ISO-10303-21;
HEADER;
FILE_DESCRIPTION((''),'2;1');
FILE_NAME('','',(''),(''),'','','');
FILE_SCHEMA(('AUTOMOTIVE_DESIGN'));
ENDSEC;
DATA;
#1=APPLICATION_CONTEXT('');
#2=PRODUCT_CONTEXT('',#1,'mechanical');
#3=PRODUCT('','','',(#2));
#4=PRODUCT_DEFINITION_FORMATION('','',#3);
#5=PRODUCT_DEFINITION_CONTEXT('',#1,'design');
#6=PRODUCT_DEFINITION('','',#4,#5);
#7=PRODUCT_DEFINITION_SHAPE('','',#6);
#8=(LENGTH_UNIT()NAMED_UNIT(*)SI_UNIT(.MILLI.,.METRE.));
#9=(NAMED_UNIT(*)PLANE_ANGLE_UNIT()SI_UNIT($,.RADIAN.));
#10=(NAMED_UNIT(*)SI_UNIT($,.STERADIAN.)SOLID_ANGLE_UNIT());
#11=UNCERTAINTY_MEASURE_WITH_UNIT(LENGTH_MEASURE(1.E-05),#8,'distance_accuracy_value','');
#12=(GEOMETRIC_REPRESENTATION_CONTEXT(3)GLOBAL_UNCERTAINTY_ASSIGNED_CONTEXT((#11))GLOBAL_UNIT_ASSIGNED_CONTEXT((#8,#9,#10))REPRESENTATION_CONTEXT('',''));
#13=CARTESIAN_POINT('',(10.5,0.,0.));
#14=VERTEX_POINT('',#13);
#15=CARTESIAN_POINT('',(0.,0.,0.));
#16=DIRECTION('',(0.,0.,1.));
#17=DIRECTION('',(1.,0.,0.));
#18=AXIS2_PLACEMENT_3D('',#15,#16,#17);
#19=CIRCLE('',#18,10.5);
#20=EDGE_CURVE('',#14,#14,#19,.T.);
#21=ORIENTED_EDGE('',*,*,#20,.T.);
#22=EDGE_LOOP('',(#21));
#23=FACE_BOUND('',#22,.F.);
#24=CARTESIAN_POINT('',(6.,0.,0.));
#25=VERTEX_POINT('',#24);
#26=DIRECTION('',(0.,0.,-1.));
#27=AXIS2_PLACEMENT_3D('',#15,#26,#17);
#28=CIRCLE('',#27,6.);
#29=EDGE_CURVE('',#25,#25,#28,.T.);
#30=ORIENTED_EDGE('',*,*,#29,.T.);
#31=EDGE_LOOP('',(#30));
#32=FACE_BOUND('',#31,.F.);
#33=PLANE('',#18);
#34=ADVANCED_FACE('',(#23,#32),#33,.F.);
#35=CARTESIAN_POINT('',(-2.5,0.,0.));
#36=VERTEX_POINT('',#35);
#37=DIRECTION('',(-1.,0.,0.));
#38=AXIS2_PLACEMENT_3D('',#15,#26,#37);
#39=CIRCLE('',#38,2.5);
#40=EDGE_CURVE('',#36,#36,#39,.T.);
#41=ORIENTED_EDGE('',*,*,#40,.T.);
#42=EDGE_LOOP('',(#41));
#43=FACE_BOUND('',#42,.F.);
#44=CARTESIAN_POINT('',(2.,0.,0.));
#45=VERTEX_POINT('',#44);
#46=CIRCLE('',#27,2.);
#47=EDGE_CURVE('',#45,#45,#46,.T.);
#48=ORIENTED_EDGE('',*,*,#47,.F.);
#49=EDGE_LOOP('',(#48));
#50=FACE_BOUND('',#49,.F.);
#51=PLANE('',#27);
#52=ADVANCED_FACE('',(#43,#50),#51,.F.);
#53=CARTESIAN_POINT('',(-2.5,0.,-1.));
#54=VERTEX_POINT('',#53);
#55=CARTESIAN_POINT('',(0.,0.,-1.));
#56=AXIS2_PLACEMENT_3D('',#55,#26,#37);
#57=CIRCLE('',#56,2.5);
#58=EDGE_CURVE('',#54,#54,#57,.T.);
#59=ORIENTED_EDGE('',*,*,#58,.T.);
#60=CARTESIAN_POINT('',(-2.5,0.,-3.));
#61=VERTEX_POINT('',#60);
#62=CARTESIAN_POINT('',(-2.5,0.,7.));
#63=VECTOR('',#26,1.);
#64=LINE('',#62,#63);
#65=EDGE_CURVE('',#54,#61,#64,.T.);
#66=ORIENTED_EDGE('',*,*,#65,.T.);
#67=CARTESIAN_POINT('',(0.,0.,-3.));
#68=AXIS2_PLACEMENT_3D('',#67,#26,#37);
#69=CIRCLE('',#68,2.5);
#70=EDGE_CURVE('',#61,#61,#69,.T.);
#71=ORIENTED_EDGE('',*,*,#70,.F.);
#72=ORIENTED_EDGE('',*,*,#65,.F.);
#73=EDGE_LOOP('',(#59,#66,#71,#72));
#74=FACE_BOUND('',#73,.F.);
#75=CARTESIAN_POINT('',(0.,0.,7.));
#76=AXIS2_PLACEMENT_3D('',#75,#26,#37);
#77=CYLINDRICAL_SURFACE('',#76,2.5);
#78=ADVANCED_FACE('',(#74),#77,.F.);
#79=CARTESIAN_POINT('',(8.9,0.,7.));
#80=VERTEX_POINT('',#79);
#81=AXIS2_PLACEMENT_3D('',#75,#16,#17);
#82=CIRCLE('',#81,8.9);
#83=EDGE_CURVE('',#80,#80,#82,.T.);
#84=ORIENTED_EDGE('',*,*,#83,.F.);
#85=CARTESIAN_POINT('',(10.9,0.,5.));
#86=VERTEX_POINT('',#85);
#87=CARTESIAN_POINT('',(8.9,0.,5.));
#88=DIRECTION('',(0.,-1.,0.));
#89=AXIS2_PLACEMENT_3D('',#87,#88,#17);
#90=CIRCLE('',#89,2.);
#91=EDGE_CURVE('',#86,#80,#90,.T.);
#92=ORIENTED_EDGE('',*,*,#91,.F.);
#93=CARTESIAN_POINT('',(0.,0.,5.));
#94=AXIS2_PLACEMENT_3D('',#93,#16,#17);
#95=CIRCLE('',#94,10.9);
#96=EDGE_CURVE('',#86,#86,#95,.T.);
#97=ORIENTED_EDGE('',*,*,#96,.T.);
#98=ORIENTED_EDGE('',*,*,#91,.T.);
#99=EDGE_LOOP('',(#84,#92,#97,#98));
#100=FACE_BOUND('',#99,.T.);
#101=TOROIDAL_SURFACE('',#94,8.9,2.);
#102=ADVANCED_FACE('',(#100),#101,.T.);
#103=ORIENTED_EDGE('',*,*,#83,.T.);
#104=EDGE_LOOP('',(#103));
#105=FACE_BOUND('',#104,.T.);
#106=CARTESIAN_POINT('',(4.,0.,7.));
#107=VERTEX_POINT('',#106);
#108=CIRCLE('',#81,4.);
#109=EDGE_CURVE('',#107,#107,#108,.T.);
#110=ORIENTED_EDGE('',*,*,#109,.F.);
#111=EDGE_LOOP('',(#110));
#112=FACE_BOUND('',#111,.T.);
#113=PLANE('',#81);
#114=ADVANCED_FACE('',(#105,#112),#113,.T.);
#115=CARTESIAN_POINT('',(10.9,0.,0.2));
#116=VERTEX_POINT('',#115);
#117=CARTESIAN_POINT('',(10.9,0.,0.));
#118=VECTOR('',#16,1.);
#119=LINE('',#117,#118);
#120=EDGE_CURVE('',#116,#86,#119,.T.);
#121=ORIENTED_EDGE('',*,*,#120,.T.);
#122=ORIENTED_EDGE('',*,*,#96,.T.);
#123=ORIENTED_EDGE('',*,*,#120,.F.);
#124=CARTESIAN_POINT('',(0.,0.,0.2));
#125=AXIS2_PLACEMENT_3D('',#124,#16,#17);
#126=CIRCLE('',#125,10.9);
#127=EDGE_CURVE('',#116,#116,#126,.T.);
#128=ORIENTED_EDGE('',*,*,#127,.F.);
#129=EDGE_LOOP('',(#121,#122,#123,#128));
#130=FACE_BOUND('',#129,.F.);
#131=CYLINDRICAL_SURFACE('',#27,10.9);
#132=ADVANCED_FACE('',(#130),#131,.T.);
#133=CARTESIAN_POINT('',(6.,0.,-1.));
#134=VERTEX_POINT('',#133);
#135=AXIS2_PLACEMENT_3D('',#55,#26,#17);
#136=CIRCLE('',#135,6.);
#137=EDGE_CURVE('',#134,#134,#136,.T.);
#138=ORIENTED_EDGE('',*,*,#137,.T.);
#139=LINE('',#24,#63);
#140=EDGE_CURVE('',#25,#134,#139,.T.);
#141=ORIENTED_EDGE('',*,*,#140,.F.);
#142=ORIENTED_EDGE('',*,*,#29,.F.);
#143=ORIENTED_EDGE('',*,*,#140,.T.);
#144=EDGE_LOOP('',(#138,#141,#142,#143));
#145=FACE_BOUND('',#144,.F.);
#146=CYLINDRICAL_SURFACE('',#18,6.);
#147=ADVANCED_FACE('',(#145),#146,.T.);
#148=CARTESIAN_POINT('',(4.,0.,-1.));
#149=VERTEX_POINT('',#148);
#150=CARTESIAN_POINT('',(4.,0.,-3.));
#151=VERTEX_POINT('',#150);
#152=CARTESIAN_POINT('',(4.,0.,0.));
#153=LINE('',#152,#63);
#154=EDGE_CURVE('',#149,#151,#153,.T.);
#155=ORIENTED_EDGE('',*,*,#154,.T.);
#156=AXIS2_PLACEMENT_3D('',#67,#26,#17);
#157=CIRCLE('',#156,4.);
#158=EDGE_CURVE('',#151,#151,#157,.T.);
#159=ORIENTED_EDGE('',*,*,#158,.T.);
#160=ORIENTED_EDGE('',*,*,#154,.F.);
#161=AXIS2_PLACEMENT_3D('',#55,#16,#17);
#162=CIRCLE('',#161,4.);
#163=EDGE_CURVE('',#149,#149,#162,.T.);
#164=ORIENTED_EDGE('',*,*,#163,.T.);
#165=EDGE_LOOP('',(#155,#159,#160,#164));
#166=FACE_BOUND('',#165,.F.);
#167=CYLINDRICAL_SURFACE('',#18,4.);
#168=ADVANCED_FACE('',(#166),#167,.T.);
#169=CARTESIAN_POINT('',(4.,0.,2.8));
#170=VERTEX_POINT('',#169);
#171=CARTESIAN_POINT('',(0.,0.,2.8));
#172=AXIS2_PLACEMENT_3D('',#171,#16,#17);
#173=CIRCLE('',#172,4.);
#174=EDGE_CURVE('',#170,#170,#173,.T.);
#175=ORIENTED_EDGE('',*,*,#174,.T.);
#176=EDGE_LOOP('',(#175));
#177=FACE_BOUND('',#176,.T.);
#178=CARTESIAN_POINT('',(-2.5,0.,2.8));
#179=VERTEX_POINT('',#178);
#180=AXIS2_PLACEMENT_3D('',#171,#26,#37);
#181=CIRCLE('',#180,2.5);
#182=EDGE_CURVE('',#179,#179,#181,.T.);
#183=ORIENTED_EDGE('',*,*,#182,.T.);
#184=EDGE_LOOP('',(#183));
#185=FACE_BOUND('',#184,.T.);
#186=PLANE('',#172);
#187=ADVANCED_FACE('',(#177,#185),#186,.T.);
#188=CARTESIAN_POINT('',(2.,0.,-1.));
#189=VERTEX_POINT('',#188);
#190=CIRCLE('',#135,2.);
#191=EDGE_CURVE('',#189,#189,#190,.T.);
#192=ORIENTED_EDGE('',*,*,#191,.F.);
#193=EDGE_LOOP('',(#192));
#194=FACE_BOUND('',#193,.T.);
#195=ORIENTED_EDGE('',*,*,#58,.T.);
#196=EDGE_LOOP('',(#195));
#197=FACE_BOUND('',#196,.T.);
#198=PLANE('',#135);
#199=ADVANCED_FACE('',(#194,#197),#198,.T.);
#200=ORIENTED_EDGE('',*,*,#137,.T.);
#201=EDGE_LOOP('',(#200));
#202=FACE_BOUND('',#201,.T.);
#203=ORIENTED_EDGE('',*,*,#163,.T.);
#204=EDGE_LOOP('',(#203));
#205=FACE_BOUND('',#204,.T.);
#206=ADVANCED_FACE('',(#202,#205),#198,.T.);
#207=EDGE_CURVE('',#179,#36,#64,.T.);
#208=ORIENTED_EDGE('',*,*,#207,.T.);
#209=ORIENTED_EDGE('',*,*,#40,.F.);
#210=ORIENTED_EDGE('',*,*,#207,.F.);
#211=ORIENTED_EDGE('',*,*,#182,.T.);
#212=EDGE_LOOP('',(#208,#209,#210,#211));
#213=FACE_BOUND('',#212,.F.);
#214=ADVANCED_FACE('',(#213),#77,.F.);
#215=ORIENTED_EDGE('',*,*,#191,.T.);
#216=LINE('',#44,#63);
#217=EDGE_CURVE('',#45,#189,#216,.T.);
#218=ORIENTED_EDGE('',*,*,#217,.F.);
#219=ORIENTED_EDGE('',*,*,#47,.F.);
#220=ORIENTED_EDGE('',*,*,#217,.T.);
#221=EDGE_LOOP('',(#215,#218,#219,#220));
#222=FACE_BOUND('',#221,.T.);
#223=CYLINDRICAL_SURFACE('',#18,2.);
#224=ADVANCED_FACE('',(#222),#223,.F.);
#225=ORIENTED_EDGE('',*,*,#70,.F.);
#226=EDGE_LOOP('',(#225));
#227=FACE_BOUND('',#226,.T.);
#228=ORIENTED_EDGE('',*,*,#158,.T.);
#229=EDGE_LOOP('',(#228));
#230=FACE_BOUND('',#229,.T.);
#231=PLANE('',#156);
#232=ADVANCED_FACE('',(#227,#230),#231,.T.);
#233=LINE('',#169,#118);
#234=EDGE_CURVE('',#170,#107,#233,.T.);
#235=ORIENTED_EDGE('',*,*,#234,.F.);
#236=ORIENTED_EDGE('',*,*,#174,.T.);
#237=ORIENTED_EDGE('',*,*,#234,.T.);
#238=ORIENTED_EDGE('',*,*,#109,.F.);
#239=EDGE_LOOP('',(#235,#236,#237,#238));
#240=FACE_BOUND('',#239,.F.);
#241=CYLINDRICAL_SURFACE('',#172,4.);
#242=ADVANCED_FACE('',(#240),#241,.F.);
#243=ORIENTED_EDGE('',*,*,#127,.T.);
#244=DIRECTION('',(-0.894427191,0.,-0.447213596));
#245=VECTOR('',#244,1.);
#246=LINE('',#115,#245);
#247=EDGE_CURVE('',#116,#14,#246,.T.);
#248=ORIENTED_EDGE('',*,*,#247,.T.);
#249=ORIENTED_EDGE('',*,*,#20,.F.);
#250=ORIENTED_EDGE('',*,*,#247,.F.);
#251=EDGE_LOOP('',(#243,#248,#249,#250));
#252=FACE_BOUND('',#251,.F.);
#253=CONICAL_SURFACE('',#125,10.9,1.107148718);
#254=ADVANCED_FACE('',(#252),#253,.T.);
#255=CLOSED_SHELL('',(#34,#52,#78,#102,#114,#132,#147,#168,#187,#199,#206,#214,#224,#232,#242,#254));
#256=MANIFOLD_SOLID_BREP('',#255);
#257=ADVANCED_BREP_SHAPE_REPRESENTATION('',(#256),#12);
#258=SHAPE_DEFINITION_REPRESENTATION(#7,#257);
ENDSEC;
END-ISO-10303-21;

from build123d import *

# Parameters (mm, degrees)
F0_R           = 10.9
F1_DEPTH       = 7
F2_SIZE2       = 0.4
F2_SIZE        = 0.2
F3_R           = 2
F4_R           = 4
F5_DEPTH       = 3
F7_D           = 5
F7_DEPTH       = 10
F7_CBORE_D     = 8
F7_CBORE_DEPTH = 4.2
F8_R           = 6
F8_R_2         = 2
F9_DEPTH       = 1


with BuildPart() as f1:
    # F0 (on Top) → F1 (new body)
    with BuildSketch(Plane.XY):
        Circle(F0_R)
    extrude(amount=F1_DEPTH)

    # F2
    f2_edges = [f1.edges().sort_by_distance(p)[0] for p in [
        (-10.9, 0, 0),
    ]]
    chamfer(f2_edges, length=F2_SIZE, length2=F2_SIZE2)

    # F3
    f3_edges = [f1.edges().sort_by_distance(p)[0] for p in [
        (-10.9, 0, 7),
    ]]
    fillet(f3_edges, radius=F3_R)

    # F4 (on face) → F5 (join)
    with BuildSketch(Plane(origin=(0, 0, 0), x_dir=(1, 0, 0), z_dir=(0, 0, -1))):
        Circle(F4_R)
    extrude(amount=F5_DEPTH)

    # F7
    with Locations(Plane.XY.offset(7)):
        with Locations((0, 0)):
            CounterBoreHole(F7_D / 2, F7_CBORE_D / 2, F7_CBORE_DEPTH, depth=F7_DEPTH)

    # F8 (on face) → F9 (join)
    with BuildSketch(Plane(origin=(0, 0, 0), x_dir=(1, 0, 0), z_dir=(0, 0, -1))):
        Circle(F8_R)
        Circle(F8_R_2, mode=Mode.SUBTRACT)
    extrude(amount=F9_DEPTH)


solid = f1.part
